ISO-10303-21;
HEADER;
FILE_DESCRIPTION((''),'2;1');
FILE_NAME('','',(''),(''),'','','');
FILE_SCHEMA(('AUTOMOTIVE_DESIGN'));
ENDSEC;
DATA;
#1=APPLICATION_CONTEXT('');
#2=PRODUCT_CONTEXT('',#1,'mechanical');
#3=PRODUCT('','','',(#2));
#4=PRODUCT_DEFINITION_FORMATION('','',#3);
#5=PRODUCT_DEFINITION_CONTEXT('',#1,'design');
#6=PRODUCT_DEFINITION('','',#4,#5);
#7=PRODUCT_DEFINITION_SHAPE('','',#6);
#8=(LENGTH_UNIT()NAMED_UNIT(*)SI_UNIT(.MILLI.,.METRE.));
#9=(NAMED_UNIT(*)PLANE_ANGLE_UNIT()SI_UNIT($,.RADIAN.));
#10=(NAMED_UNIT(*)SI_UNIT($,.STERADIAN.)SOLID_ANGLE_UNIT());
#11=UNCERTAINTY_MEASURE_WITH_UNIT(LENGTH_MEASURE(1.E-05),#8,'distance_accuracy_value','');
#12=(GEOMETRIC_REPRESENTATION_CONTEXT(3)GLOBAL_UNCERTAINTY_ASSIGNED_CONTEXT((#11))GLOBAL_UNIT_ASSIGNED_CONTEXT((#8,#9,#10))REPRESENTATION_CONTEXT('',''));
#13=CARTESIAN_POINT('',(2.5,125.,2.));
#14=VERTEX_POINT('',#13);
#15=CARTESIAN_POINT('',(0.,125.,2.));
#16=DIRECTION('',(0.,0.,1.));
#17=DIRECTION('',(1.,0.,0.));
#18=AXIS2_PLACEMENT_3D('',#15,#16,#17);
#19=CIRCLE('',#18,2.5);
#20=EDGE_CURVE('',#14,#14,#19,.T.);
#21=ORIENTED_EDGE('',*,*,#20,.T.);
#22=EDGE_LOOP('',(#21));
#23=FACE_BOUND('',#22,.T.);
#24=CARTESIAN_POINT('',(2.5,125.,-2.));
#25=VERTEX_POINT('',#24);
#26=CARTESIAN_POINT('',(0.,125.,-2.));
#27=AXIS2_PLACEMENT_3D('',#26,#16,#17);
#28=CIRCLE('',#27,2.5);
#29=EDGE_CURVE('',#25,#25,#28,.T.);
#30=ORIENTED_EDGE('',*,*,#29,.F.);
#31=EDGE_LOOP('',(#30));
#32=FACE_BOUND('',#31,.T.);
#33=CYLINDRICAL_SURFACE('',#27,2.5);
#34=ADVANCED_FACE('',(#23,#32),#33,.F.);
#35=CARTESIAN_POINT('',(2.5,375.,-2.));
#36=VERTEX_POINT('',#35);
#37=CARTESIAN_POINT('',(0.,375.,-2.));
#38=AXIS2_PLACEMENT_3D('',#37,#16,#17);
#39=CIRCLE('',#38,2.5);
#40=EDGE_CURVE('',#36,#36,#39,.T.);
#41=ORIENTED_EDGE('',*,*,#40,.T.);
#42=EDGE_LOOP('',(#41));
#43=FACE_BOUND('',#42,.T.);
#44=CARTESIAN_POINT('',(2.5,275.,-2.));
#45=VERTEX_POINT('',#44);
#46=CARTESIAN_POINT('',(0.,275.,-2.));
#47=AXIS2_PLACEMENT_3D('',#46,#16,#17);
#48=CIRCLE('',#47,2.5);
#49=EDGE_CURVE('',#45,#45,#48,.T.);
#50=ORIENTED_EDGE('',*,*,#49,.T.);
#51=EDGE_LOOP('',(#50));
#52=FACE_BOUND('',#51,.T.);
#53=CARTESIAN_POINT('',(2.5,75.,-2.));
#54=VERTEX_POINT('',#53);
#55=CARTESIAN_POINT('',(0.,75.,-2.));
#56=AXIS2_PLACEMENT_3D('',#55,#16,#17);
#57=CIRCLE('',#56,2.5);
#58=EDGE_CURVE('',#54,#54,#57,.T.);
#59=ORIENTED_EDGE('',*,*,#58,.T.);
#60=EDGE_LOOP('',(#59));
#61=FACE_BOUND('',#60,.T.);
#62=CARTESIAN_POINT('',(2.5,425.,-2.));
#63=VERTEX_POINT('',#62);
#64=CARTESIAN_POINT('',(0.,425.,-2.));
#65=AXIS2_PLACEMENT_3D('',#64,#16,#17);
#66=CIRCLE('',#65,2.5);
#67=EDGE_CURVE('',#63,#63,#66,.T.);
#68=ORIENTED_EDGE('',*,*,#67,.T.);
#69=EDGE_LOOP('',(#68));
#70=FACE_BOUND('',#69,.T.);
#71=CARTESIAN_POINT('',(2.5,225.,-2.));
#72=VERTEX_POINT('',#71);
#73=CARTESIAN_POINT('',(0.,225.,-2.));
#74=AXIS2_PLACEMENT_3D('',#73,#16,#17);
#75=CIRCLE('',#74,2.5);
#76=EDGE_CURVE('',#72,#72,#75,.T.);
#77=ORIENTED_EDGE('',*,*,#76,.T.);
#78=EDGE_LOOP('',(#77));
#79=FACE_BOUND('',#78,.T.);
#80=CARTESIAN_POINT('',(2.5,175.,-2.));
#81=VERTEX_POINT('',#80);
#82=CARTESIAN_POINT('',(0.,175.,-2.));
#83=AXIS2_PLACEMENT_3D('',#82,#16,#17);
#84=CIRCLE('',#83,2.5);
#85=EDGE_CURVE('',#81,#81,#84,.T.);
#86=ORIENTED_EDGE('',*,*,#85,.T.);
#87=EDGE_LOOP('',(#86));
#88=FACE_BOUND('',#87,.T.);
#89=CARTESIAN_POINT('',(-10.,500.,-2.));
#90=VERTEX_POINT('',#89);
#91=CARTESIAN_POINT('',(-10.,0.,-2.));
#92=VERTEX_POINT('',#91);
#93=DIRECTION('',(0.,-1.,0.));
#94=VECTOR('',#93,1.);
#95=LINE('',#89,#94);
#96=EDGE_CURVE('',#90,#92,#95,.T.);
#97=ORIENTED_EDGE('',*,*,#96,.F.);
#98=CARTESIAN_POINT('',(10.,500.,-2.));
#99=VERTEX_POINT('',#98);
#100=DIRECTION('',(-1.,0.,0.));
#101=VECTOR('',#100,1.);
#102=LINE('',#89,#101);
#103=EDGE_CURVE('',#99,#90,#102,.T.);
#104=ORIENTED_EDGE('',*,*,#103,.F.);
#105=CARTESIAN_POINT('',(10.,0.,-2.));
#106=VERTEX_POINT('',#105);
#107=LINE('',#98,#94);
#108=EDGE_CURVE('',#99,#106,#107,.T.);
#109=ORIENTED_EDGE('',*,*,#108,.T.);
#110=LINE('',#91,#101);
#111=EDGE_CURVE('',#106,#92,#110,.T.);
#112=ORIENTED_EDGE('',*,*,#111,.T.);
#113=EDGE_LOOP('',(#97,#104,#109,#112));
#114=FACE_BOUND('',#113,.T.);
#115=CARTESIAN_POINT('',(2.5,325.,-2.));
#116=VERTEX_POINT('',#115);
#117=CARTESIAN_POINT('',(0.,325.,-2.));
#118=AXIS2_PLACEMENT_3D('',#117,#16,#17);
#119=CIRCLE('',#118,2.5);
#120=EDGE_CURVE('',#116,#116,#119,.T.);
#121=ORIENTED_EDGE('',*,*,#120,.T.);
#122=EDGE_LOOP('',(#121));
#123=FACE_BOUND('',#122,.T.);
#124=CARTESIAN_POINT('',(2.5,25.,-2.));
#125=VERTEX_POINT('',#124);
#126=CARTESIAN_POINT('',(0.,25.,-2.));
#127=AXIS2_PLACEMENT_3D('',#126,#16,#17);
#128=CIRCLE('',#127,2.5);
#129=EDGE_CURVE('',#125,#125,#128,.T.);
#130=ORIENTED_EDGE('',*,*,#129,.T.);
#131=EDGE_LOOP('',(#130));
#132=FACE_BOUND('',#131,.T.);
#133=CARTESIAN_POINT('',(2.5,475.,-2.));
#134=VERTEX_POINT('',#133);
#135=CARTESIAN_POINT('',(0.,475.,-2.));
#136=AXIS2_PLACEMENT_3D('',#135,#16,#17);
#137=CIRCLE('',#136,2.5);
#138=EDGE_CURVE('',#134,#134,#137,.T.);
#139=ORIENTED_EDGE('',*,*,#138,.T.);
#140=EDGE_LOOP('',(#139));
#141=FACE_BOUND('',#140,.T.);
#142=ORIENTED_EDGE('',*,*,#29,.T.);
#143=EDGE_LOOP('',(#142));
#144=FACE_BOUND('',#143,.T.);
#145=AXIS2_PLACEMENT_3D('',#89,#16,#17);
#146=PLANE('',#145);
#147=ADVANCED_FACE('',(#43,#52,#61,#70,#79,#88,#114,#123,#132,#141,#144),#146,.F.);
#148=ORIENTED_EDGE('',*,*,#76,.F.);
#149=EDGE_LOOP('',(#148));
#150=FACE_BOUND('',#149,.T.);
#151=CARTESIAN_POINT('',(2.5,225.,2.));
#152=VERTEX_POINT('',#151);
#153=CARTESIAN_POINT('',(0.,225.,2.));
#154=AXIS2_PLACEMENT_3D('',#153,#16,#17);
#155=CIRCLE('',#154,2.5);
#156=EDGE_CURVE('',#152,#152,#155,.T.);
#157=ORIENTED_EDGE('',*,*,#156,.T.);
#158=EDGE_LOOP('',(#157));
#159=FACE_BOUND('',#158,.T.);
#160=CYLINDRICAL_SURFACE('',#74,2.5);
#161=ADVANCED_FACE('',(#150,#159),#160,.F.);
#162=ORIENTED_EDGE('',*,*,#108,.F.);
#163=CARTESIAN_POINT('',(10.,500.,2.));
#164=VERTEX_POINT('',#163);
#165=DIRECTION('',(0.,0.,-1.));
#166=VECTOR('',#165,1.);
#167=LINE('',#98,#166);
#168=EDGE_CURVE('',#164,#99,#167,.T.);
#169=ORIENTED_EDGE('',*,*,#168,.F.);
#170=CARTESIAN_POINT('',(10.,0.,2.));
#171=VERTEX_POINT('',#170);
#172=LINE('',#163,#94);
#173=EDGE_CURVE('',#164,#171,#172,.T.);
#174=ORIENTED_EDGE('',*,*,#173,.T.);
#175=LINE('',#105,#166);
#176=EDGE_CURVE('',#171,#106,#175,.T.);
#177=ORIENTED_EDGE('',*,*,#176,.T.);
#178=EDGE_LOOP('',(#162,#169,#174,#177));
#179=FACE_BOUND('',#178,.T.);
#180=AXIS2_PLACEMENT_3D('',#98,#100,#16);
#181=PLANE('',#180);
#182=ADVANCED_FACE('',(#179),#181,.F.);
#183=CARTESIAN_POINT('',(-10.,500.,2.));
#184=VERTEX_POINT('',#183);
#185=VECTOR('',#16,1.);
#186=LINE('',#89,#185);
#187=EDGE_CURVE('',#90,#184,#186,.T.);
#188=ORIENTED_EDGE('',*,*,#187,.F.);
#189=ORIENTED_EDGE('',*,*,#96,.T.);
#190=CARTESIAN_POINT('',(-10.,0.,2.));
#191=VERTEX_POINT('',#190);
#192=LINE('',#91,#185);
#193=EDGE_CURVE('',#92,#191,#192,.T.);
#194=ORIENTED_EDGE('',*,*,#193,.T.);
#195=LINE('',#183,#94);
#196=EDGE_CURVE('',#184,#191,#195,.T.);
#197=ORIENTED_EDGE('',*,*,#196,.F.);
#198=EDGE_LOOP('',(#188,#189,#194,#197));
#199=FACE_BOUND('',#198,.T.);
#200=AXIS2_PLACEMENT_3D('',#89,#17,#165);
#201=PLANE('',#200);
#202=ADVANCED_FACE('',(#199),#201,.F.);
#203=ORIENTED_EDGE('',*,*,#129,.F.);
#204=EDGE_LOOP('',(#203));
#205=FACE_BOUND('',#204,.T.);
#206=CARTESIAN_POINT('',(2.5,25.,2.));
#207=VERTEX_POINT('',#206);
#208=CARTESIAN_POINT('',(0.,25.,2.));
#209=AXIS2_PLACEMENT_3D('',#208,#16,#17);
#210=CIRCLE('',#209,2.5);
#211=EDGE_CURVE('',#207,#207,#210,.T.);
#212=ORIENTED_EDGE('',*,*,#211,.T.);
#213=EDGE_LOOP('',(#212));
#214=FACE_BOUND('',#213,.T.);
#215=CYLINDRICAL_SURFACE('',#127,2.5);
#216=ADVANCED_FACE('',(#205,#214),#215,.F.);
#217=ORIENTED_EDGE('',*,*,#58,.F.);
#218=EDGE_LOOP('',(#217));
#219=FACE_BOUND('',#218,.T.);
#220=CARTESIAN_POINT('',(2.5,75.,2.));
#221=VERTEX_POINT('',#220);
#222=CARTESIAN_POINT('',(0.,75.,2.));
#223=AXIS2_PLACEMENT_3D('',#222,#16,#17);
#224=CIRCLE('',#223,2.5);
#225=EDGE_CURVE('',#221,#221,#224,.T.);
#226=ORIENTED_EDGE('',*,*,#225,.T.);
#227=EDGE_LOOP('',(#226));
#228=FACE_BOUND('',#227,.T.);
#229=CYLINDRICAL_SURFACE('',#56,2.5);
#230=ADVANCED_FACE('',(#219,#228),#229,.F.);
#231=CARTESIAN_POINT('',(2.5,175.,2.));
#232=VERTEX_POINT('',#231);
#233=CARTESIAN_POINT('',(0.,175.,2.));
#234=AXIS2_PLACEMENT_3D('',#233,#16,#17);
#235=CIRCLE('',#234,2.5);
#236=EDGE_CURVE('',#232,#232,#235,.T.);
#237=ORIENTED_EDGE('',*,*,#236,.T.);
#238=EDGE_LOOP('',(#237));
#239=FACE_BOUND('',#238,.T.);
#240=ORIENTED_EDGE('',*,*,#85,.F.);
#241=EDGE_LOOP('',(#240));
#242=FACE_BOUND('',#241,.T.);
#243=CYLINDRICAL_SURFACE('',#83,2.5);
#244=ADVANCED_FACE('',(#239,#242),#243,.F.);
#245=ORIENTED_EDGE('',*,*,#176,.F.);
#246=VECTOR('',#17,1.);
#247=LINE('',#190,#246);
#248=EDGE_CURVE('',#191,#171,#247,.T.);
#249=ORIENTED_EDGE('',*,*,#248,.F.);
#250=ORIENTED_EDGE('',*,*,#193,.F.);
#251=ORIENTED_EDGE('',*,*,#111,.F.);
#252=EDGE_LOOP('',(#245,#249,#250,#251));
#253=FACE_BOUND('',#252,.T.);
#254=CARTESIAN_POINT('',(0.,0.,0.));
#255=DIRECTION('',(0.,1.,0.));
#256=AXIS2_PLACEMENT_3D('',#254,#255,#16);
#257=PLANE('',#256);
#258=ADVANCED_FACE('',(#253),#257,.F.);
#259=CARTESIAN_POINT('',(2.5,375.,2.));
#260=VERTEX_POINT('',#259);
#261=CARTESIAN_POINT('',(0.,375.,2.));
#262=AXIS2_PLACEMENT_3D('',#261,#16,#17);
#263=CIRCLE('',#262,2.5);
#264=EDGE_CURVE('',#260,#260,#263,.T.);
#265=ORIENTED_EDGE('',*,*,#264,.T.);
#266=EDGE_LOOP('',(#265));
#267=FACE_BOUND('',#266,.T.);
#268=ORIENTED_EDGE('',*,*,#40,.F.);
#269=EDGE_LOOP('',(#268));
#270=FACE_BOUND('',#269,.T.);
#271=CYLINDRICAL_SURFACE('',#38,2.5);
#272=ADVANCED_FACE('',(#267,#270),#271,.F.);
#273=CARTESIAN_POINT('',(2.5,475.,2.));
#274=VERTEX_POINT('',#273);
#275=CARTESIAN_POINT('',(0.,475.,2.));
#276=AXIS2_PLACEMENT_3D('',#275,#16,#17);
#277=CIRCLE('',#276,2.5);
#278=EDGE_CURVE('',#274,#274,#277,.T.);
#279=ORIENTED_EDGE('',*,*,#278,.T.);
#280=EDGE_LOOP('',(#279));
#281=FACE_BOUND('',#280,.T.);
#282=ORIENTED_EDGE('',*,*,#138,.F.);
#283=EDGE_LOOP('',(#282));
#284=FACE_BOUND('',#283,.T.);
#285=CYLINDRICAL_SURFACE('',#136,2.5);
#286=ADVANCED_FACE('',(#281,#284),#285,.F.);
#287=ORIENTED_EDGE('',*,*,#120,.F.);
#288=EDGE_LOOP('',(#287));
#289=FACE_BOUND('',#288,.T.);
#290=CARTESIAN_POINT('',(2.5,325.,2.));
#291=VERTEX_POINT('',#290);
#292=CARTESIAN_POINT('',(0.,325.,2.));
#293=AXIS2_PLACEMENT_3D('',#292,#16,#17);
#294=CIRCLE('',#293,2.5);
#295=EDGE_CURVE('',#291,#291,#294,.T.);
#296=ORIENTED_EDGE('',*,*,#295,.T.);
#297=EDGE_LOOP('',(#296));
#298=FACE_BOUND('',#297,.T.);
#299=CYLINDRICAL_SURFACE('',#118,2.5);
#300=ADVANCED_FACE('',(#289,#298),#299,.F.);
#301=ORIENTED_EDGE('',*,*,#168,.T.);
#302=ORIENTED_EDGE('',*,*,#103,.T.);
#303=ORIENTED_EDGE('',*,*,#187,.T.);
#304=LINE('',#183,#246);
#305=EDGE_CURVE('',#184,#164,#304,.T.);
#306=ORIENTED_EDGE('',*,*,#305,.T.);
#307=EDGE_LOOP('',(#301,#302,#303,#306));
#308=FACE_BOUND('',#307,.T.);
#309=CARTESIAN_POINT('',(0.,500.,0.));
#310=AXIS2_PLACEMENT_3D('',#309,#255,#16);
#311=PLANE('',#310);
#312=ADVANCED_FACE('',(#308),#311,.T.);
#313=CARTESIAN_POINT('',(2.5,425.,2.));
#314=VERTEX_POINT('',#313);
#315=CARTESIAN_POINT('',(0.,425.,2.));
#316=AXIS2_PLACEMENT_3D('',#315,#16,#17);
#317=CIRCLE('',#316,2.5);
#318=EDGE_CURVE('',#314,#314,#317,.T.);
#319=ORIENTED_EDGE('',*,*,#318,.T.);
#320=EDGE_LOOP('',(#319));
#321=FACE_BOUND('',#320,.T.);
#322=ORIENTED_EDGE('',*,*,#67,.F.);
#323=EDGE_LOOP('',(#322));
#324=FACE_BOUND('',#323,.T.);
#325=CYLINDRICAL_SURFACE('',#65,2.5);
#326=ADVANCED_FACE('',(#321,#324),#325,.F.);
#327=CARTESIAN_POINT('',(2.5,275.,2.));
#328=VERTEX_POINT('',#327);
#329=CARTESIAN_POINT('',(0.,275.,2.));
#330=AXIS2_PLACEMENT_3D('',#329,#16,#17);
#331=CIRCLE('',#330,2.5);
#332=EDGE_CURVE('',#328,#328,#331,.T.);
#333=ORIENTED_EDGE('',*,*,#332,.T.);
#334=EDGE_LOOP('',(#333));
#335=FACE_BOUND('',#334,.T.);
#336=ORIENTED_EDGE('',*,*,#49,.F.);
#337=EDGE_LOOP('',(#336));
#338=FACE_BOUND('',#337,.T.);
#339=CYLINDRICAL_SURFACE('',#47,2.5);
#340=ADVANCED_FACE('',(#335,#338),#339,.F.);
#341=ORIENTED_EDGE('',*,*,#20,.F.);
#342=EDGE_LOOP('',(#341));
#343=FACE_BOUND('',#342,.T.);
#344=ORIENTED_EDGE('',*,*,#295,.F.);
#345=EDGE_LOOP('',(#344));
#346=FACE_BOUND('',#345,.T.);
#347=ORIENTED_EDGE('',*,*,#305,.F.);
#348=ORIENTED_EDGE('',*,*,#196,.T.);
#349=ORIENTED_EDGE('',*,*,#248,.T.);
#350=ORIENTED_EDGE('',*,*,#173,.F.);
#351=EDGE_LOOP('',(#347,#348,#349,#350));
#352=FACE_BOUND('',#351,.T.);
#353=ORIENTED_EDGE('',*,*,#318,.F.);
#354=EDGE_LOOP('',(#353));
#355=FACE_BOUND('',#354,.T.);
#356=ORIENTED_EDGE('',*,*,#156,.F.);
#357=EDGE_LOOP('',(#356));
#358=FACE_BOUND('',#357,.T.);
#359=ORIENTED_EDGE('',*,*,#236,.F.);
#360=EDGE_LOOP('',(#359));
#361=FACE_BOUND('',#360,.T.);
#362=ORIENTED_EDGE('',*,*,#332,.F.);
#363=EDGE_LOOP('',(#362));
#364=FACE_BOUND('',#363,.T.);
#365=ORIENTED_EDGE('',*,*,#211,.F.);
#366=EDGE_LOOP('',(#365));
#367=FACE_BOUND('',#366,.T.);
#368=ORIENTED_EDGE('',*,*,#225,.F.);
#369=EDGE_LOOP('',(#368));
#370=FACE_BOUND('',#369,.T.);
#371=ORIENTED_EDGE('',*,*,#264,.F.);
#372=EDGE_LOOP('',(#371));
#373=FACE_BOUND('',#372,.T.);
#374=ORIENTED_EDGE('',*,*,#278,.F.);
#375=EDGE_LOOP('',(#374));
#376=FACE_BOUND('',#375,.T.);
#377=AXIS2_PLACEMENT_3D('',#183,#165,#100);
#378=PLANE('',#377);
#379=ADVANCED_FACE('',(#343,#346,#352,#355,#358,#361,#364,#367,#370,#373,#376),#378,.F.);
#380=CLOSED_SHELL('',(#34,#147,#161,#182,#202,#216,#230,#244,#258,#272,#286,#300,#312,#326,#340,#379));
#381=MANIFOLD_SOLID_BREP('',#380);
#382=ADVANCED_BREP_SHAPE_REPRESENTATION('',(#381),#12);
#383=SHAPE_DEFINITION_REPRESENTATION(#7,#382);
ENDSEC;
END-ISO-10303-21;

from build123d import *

# Parameters (mm, degrees)
SKETCH_1_W          = 20
SKETCH_1_H          = 4
EXTRUDE_1_DEPTH     = 500
SKETCH_2_R          = 2.5
CUT_EXTRUDE_1_DEPTH = 5


with BuildPart() as part:
    # Эскиз1 → Бобышка-Вытянуть1 (new body)
    with BuildSketch(Plane(origin=(0, 0, 0), x_dir=(1, 0, 0), z_dir=(0, 1, 0))):
        Rectangle(SKETCH_1_W, SKETCH_1_H)
    extrude(amount=EXTRUDE_1_DEPTH)

    # Эскиз2 → Вырез-Вытянуть1 (cut, through all)
    with BuildSketch(Plane.XY.offset(2)):
        with Locations((0, 25)):
            Circle(SKETCH_2_R)
        with Locations((0, 75)):
            Circle(SKETCH_2_R)
        with Locations((0, 125)):
            Circle(SKETCH_2_R)
        with Locations((0, 175)):
            Circle(SKETCH_2_R)
        with Locations((0, 225)):
            Circle(SKETCH_2_R)
        with Locations((0, 275)):
            Circle(SKETCH_2_R)
        with Locations((0, 325)):
            Circle(SKETCH_2_R)
        with Locations((0, 375)):
            Circle(SKETCH_2_R)
        with Locations((0, 425)):
            Circle(SKETCH_2_R)
        with Locations((0, 475)):
            Circle(SKETCH_2_R)
    extrude(amount=-CUT_EXTRUDE_1_DEPTH, mode=Mode.SUBTRACT)


solid = part.part
